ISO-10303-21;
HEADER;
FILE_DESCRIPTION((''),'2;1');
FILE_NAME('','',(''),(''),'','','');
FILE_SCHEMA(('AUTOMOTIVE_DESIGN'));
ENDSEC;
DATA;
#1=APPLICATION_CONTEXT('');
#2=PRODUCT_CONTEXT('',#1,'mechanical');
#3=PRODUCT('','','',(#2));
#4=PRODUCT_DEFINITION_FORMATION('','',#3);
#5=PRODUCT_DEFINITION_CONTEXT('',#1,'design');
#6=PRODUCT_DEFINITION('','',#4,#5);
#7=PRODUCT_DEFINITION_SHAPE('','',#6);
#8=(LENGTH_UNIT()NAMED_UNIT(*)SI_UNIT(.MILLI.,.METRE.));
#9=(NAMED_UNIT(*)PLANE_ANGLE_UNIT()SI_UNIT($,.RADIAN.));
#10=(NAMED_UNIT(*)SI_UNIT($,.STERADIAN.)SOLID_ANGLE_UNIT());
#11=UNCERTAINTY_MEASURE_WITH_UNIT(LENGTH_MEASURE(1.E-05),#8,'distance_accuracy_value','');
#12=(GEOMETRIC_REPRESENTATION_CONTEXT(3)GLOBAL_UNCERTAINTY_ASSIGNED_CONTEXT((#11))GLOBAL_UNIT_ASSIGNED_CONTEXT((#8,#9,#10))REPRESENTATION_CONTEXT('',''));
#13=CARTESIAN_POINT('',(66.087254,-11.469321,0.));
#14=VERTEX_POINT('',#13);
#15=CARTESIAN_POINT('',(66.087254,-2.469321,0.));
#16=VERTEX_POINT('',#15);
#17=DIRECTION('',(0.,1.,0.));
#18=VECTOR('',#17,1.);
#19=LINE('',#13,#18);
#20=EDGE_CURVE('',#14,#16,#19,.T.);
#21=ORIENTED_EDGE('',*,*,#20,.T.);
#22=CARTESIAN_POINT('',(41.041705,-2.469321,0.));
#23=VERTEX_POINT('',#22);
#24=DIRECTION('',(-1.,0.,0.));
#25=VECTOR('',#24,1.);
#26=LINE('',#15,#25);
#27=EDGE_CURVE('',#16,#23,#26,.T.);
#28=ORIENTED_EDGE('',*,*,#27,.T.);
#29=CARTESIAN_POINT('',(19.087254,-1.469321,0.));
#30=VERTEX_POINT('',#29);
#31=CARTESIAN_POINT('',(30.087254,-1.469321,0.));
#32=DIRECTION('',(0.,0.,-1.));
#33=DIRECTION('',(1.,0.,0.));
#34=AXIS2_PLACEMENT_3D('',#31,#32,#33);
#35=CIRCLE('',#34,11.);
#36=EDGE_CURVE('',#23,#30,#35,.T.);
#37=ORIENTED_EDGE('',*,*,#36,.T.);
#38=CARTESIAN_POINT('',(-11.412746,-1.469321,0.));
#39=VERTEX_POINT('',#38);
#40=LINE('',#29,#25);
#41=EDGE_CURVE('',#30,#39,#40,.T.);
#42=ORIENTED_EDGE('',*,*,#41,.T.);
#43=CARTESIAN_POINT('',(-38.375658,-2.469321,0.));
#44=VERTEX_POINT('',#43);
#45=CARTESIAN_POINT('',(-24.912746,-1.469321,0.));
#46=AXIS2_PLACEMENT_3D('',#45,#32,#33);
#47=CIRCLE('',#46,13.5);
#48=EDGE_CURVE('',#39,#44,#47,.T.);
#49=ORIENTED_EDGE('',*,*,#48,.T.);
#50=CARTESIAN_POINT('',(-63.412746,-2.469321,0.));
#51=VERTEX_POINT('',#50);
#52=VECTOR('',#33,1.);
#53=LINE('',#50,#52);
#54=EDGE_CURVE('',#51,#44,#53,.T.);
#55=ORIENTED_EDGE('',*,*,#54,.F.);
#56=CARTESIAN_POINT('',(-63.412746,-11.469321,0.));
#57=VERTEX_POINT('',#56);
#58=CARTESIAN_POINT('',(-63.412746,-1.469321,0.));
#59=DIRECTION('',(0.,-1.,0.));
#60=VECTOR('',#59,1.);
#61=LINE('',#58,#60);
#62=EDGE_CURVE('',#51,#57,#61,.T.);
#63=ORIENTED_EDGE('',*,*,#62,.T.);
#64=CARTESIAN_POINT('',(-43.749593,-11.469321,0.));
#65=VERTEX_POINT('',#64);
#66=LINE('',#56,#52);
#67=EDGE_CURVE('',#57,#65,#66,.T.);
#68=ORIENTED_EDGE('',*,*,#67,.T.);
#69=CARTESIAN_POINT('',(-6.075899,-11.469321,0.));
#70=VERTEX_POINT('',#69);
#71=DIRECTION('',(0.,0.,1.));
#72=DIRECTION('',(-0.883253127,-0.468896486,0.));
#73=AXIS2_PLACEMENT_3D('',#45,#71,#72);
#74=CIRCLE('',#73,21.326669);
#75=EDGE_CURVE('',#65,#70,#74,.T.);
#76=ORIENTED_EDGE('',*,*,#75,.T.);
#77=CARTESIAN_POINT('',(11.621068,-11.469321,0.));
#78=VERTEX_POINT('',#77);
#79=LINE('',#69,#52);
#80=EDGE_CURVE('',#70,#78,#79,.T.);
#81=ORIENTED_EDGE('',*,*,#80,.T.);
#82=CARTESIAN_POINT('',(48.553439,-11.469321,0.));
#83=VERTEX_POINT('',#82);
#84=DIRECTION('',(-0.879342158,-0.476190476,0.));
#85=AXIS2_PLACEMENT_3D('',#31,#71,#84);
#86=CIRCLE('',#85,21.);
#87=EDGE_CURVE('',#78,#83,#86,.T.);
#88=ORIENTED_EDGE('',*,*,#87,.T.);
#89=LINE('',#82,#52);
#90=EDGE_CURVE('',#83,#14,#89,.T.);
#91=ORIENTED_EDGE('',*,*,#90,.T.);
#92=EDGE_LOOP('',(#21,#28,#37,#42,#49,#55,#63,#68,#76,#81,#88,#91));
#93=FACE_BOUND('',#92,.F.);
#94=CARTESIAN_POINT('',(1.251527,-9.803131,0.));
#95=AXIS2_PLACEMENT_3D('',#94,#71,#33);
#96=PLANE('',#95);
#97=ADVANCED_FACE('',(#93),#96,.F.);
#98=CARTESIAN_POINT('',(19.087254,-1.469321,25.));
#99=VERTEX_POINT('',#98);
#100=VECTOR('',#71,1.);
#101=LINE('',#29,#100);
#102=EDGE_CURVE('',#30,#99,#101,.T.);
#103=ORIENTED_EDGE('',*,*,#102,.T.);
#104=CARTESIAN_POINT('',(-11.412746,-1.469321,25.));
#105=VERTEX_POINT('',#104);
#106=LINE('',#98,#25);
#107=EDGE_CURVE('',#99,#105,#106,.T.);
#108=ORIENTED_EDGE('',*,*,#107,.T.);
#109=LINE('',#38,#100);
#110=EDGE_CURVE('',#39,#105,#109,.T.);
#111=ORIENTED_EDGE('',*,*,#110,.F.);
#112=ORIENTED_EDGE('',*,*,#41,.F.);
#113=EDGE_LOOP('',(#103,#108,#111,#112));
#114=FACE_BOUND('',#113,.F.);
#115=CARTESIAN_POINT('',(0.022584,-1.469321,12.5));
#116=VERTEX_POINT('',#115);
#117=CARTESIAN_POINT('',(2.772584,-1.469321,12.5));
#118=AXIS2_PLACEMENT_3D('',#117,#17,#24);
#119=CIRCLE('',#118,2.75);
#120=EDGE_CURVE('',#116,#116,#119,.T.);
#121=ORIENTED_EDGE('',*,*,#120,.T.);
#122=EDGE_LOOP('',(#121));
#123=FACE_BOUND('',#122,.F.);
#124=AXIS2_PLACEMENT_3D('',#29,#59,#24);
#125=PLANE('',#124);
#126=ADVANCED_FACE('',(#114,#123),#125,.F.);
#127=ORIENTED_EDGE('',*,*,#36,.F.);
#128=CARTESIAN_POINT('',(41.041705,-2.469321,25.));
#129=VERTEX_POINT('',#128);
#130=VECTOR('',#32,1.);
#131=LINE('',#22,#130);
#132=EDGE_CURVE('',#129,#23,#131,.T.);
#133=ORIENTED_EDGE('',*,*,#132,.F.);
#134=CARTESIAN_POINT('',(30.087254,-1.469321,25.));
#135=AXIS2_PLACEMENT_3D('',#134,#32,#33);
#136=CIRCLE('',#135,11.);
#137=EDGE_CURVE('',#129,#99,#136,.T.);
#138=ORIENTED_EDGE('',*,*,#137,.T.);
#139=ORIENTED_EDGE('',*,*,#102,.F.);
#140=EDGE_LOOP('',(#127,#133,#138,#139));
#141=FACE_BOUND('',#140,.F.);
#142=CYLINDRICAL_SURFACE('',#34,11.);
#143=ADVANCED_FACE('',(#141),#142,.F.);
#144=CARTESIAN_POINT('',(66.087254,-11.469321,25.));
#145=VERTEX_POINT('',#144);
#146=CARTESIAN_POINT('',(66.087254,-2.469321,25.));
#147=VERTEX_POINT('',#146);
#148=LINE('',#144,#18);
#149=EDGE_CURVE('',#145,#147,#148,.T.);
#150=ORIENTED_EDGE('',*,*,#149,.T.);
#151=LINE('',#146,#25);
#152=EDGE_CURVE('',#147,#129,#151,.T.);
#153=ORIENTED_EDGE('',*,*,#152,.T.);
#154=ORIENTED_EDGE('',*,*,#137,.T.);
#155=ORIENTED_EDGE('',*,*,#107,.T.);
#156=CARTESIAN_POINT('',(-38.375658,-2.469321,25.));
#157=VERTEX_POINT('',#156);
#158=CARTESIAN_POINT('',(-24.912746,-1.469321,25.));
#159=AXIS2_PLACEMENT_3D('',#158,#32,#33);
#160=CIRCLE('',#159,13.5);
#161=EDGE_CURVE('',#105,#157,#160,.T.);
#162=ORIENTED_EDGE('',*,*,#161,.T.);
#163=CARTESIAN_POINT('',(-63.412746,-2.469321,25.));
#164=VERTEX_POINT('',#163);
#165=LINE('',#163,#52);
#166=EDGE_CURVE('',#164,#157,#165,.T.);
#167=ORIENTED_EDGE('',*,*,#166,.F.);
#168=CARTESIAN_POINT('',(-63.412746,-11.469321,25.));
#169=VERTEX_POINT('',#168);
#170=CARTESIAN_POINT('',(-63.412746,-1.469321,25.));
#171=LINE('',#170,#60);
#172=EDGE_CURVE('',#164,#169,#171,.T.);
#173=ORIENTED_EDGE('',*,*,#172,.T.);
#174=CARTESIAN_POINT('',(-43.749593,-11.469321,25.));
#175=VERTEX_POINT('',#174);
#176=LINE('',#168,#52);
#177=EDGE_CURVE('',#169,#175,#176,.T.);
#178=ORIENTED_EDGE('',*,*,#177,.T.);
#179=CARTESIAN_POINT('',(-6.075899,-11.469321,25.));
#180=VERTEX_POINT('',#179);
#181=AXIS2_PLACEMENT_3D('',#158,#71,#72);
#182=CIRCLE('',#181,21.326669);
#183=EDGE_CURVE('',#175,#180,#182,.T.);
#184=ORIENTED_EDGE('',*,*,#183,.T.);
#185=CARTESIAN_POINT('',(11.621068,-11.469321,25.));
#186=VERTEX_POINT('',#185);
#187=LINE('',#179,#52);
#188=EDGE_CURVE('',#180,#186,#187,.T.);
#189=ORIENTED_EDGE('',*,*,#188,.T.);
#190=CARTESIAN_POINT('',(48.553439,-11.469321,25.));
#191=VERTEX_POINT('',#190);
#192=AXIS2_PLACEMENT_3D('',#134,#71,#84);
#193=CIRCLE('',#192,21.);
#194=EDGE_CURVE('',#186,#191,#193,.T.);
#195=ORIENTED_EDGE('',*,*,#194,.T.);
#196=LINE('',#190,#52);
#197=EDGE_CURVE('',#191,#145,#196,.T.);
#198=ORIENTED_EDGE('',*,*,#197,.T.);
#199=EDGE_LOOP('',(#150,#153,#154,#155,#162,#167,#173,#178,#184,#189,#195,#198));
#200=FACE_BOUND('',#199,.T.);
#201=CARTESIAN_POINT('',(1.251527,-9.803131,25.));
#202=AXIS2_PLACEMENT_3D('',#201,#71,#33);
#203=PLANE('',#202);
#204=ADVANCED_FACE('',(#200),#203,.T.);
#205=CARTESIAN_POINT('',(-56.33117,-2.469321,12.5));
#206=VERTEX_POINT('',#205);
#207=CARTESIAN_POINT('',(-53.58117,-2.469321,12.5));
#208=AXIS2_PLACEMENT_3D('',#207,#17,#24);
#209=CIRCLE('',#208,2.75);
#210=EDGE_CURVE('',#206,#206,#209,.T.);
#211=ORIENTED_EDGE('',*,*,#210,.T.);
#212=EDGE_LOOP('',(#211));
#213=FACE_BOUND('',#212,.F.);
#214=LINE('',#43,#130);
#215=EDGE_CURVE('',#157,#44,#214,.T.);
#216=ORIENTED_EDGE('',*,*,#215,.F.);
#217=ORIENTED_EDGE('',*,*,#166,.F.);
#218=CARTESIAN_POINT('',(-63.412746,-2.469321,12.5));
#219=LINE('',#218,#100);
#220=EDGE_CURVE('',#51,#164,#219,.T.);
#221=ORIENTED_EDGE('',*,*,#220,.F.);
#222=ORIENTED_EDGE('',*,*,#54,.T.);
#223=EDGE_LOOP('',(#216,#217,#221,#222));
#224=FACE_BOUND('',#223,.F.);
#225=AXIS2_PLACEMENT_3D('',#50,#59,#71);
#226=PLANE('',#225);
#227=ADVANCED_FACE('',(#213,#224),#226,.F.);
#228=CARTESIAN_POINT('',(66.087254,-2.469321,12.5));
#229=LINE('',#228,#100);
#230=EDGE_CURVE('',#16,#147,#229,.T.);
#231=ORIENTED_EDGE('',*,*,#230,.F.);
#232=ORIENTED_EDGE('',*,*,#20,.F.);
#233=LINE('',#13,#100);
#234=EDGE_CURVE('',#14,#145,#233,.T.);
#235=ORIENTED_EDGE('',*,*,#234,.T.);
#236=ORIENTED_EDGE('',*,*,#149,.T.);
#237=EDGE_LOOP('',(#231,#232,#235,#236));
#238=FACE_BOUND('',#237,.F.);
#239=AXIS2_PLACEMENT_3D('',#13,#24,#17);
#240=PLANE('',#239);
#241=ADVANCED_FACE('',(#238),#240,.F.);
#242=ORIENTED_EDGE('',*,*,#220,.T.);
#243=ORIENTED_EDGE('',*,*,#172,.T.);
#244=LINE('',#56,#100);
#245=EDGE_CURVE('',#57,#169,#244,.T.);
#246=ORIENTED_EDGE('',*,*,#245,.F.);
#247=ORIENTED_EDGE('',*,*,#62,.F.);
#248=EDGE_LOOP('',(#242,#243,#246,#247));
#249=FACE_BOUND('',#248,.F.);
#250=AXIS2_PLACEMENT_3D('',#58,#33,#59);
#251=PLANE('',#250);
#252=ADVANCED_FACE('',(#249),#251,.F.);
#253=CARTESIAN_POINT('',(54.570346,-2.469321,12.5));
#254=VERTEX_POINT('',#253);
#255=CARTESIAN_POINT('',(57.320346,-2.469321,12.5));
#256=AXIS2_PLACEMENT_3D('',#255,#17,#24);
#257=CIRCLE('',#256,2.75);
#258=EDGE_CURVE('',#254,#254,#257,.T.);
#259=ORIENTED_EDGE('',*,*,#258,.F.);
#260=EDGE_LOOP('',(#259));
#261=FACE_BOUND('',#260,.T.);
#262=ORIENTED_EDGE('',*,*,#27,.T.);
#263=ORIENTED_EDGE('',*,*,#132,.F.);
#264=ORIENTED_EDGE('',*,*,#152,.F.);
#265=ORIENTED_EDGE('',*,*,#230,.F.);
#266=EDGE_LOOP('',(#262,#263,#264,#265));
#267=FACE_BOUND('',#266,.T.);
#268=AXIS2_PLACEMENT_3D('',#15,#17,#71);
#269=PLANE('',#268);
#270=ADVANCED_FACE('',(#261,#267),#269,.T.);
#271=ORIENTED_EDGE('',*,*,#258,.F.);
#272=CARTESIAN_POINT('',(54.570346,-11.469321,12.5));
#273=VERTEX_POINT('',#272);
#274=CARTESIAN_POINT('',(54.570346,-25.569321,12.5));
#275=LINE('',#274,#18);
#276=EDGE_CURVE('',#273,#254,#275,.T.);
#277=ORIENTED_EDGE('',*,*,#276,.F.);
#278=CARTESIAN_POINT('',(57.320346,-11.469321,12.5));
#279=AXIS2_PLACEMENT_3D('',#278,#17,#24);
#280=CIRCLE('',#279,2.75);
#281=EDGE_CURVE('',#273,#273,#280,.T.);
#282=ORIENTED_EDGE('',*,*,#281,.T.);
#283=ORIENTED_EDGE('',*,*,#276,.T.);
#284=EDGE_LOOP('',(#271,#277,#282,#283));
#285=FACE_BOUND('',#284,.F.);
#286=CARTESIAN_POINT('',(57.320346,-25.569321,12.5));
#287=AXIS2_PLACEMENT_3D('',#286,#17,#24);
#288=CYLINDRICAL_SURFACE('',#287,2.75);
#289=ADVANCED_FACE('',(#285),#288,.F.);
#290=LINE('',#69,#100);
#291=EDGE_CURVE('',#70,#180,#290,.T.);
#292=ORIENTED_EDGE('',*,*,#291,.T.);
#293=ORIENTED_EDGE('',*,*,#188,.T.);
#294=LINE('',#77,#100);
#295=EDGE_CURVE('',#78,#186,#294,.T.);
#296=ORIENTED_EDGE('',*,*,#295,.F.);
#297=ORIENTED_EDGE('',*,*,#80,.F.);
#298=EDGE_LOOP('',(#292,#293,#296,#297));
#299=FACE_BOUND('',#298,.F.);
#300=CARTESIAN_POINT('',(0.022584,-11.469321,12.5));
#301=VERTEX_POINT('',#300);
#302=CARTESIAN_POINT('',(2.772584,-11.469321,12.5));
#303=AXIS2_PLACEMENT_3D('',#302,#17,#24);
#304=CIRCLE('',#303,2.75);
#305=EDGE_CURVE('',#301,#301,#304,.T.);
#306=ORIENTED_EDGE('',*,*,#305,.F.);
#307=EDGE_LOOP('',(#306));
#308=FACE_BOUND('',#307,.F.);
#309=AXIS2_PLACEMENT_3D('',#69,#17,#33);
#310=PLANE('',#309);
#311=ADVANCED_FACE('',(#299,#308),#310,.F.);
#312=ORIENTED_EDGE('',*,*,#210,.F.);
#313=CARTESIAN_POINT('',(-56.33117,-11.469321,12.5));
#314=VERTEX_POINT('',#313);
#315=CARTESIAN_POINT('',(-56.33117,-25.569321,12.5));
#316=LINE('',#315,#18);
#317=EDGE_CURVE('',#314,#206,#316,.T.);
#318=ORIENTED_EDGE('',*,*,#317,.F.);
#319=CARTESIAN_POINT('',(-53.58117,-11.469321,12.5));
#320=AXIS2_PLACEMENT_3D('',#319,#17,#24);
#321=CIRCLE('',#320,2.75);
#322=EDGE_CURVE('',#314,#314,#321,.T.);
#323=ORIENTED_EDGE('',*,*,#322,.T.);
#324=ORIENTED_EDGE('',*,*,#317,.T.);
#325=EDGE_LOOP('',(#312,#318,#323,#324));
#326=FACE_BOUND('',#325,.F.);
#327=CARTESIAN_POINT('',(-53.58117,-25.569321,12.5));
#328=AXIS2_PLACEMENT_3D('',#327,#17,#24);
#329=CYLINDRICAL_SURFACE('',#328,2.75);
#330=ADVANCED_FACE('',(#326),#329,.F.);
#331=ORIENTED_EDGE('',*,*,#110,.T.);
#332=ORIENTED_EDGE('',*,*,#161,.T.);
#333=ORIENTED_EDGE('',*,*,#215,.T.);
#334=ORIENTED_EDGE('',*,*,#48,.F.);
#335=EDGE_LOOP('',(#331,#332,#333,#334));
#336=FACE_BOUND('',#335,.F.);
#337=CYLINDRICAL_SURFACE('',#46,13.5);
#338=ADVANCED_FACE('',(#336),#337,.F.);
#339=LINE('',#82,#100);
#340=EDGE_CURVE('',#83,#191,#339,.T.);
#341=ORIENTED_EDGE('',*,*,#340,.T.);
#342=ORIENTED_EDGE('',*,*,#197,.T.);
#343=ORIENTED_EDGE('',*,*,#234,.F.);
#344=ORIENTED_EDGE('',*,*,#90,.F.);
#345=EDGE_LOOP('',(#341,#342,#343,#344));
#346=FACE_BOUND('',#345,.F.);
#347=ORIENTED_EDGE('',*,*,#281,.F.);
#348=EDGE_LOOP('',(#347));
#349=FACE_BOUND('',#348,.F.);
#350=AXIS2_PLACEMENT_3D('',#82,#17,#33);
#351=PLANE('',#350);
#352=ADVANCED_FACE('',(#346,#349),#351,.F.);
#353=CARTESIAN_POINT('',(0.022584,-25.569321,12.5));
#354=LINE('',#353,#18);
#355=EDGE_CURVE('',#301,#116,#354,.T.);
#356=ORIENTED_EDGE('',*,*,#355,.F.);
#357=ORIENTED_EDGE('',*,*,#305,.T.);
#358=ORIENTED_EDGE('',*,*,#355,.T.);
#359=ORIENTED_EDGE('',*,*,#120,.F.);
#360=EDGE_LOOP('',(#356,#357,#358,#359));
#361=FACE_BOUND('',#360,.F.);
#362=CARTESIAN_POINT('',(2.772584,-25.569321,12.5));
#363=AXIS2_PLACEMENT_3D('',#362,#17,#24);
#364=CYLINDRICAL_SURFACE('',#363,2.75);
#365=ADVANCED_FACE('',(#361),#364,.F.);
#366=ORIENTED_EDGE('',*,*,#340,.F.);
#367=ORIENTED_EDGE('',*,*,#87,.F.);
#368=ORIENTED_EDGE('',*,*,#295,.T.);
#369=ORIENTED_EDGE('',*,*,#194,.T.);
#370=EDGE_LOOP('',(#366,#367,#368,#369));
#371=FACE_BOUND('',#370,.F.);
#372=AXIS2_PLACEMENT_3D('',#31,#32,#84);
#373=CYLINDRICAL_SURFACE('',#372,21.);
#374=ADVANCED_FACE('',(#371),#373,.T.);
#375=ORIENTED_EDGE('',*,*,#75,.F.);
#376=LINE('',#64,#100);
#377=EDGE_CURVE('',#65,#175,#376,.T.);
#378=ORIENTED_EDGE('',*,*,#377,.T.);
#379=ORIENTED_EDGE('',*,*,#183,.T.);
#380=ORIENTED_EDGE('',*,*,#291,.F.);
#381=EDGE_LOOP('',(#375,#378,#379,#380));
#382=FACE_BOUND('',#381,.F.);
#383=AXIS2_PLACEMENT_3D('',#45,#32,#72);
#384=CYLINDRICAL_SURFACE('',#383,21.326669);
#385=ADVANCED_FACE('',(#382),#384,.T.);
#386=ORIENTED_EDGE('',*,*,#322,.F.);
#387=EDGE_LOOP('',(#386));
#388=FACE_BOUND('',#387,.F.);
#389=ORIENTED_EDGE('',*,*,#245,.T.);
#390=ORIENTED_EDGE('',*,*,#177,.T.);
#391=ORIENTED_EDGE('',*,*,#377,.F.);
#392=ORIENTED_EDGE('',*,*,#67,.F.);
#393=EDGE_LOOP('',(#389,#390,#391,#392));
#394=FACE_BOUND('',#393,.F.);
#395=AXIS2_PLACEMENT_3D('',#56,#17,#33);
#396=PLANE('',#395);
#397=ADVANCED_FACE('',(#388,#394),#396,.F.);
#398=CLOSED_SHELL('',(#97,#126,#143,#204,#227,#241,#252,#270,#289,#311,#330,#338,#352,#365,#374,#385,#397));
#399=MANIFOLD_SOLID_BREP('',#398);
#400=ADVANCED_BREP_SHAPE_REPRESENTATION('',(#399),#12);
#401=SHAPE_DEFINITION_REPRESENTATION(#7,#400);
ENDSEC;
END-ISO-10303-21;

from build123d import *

# Parameters (mm, degrees)
F1_DEPTH       = 25
F5_D           = 5.5
F5_DEPTH       = 14.1
F5_TIP         = 1.6523667023
F5_ON_F3_D     = 5.5
F5_ON_F3_DEPTH = 14.1
F5_ON_F3_TIP   = 1.6523667023
F5_ON_F4_D     = 5.5
F5_ON_F4_DEPTH = 14.1
F5_ON_F4_TIP   = 1.6523667023
F6_W           = 1
F6_H           = 25
F7_DEPTH       = 30
F8_W           = 1
F8_H           = 25
F9_DEPTH       = 30


with BuildPart() as f1:
    # F0 (on Top) → F1 (new body)
    with BuildSketch(Plane.XY):
        with BuildLine():
            Line((-38.4127462552, -1.4693210872), (-63.4127462552, -1.4693210872))
            Line((-63.4127462552, -1.4693210872), (-63.4127462552, -11.4693210872))
            Line((-63.4127462552, -11.4693210872), (-43.749593064, -11.4693210872))
            ThreePointArc((-43.749593064, -11.4693210872), (-24.9127462552, -22.7959897839), (-6.0758994463, -11.4693210872))
            Line((-6.0758994463, -11.4693210872), (11.6210684322, -11.4693210872))
            ThreePointArc((11.6210684322, -11.4693210872), (30.0872537448, -22.4693210872), (48.5534390575, -11.4693210872))
            Line((48.5534390575, -11.4693210872), (66.0872537448, -11.4693210872))
            Line((66.0872537448, -11.4693210872), (66.0872537448, -1.4693210872))
            Line((66.0872537448, -1.4693210872), (41.0872537448, -1.4693210872))
            ThreePointArc((41.0872537448, -1.4693210872), (30.0872537448, -12.4693210872), (19.0872537448, -1.4693210872))
            Line((19.0872537448, -1.4693210872), (-11.4127462552, -1.4693210872))
            ThreePointArc((-11.4127462552, -1.4693210872), (-24.9127462552, -14.9693210872), (-38.4127462552, -1.4693210872))
        make_face()
    extrude(amount=F1_DEPTH)

    # F5
    with Locations(Plane.XZ.offset(11.4693210872)):
        with Locations((-53.5811696596, 12.5)):
            Hole(F5_D / 2, depth=F5_DEPTH)
            with Locations((0, 0, -(F5_DEPTH + F5_TIP / 2))):  # 118° drill point
                Cone(0, F5_D / 2, F5_TIP, mode=Mode.SUBTRACT)

    # F5 on F3
    with Locations(Plane.XZ.offset(11.4693210872)):
        with Locations((57.3203464011, 12.5)):
            Hole(F5_ON_F3_D / 2, depth=F5_ON_F3_DEPTH)
            with Locations((0, 0, -(F5_ON_F3_DEPTH + F5_ON_F3_TIP / 2))):  # 118° drill point
                Cone(0, F5_ON_F3_D / 2, F5_ON_F3_TIP, mode=Mode.SUBTRACT)

    # F5 on F4
    with Locations(Plane.XZ.offset(11.4693210872)):
        with Locations((2.772584493, 12.5)):
            Hole(F5_ON_F4_D / 2, depth=F5_ON_F4_DEPTH)
            with Locations((0, 0, -(F5_ON_F4_DEPTH + F5_ON_F4_TIP / 2))):  # 118° drill point
                Cone(0, F5_ON_F4_D / 2, F5_ON_F4_TIP, mode=Mode.SUBTRACT)

    # F6 (on face) → F7 (cut)
    with BuildSketch(Plane.YZ.offset(66.0872537448)):
        with Locations((-1.9693210872, 12.5)):
            Rectangle(F6_W, F6_H)
    extrude(amount=-F7_DEPTH, mode=Mode.SUBTRACT)

    # F8 (on face) → F9 (cut)
    with BuildSketch(Plane(origin=(-63.4127462552, 0, 0), x_dir=(0, -1, 0), z_dir=(-1, 0, 0))):
        with Locations((1.9693210872, 12.5)):
            Rectangle(F8_W, F8_H)
    extrude(amount=-F9_DEPTH, mode=Mode.SUBTRACT)


solid = f1.part
